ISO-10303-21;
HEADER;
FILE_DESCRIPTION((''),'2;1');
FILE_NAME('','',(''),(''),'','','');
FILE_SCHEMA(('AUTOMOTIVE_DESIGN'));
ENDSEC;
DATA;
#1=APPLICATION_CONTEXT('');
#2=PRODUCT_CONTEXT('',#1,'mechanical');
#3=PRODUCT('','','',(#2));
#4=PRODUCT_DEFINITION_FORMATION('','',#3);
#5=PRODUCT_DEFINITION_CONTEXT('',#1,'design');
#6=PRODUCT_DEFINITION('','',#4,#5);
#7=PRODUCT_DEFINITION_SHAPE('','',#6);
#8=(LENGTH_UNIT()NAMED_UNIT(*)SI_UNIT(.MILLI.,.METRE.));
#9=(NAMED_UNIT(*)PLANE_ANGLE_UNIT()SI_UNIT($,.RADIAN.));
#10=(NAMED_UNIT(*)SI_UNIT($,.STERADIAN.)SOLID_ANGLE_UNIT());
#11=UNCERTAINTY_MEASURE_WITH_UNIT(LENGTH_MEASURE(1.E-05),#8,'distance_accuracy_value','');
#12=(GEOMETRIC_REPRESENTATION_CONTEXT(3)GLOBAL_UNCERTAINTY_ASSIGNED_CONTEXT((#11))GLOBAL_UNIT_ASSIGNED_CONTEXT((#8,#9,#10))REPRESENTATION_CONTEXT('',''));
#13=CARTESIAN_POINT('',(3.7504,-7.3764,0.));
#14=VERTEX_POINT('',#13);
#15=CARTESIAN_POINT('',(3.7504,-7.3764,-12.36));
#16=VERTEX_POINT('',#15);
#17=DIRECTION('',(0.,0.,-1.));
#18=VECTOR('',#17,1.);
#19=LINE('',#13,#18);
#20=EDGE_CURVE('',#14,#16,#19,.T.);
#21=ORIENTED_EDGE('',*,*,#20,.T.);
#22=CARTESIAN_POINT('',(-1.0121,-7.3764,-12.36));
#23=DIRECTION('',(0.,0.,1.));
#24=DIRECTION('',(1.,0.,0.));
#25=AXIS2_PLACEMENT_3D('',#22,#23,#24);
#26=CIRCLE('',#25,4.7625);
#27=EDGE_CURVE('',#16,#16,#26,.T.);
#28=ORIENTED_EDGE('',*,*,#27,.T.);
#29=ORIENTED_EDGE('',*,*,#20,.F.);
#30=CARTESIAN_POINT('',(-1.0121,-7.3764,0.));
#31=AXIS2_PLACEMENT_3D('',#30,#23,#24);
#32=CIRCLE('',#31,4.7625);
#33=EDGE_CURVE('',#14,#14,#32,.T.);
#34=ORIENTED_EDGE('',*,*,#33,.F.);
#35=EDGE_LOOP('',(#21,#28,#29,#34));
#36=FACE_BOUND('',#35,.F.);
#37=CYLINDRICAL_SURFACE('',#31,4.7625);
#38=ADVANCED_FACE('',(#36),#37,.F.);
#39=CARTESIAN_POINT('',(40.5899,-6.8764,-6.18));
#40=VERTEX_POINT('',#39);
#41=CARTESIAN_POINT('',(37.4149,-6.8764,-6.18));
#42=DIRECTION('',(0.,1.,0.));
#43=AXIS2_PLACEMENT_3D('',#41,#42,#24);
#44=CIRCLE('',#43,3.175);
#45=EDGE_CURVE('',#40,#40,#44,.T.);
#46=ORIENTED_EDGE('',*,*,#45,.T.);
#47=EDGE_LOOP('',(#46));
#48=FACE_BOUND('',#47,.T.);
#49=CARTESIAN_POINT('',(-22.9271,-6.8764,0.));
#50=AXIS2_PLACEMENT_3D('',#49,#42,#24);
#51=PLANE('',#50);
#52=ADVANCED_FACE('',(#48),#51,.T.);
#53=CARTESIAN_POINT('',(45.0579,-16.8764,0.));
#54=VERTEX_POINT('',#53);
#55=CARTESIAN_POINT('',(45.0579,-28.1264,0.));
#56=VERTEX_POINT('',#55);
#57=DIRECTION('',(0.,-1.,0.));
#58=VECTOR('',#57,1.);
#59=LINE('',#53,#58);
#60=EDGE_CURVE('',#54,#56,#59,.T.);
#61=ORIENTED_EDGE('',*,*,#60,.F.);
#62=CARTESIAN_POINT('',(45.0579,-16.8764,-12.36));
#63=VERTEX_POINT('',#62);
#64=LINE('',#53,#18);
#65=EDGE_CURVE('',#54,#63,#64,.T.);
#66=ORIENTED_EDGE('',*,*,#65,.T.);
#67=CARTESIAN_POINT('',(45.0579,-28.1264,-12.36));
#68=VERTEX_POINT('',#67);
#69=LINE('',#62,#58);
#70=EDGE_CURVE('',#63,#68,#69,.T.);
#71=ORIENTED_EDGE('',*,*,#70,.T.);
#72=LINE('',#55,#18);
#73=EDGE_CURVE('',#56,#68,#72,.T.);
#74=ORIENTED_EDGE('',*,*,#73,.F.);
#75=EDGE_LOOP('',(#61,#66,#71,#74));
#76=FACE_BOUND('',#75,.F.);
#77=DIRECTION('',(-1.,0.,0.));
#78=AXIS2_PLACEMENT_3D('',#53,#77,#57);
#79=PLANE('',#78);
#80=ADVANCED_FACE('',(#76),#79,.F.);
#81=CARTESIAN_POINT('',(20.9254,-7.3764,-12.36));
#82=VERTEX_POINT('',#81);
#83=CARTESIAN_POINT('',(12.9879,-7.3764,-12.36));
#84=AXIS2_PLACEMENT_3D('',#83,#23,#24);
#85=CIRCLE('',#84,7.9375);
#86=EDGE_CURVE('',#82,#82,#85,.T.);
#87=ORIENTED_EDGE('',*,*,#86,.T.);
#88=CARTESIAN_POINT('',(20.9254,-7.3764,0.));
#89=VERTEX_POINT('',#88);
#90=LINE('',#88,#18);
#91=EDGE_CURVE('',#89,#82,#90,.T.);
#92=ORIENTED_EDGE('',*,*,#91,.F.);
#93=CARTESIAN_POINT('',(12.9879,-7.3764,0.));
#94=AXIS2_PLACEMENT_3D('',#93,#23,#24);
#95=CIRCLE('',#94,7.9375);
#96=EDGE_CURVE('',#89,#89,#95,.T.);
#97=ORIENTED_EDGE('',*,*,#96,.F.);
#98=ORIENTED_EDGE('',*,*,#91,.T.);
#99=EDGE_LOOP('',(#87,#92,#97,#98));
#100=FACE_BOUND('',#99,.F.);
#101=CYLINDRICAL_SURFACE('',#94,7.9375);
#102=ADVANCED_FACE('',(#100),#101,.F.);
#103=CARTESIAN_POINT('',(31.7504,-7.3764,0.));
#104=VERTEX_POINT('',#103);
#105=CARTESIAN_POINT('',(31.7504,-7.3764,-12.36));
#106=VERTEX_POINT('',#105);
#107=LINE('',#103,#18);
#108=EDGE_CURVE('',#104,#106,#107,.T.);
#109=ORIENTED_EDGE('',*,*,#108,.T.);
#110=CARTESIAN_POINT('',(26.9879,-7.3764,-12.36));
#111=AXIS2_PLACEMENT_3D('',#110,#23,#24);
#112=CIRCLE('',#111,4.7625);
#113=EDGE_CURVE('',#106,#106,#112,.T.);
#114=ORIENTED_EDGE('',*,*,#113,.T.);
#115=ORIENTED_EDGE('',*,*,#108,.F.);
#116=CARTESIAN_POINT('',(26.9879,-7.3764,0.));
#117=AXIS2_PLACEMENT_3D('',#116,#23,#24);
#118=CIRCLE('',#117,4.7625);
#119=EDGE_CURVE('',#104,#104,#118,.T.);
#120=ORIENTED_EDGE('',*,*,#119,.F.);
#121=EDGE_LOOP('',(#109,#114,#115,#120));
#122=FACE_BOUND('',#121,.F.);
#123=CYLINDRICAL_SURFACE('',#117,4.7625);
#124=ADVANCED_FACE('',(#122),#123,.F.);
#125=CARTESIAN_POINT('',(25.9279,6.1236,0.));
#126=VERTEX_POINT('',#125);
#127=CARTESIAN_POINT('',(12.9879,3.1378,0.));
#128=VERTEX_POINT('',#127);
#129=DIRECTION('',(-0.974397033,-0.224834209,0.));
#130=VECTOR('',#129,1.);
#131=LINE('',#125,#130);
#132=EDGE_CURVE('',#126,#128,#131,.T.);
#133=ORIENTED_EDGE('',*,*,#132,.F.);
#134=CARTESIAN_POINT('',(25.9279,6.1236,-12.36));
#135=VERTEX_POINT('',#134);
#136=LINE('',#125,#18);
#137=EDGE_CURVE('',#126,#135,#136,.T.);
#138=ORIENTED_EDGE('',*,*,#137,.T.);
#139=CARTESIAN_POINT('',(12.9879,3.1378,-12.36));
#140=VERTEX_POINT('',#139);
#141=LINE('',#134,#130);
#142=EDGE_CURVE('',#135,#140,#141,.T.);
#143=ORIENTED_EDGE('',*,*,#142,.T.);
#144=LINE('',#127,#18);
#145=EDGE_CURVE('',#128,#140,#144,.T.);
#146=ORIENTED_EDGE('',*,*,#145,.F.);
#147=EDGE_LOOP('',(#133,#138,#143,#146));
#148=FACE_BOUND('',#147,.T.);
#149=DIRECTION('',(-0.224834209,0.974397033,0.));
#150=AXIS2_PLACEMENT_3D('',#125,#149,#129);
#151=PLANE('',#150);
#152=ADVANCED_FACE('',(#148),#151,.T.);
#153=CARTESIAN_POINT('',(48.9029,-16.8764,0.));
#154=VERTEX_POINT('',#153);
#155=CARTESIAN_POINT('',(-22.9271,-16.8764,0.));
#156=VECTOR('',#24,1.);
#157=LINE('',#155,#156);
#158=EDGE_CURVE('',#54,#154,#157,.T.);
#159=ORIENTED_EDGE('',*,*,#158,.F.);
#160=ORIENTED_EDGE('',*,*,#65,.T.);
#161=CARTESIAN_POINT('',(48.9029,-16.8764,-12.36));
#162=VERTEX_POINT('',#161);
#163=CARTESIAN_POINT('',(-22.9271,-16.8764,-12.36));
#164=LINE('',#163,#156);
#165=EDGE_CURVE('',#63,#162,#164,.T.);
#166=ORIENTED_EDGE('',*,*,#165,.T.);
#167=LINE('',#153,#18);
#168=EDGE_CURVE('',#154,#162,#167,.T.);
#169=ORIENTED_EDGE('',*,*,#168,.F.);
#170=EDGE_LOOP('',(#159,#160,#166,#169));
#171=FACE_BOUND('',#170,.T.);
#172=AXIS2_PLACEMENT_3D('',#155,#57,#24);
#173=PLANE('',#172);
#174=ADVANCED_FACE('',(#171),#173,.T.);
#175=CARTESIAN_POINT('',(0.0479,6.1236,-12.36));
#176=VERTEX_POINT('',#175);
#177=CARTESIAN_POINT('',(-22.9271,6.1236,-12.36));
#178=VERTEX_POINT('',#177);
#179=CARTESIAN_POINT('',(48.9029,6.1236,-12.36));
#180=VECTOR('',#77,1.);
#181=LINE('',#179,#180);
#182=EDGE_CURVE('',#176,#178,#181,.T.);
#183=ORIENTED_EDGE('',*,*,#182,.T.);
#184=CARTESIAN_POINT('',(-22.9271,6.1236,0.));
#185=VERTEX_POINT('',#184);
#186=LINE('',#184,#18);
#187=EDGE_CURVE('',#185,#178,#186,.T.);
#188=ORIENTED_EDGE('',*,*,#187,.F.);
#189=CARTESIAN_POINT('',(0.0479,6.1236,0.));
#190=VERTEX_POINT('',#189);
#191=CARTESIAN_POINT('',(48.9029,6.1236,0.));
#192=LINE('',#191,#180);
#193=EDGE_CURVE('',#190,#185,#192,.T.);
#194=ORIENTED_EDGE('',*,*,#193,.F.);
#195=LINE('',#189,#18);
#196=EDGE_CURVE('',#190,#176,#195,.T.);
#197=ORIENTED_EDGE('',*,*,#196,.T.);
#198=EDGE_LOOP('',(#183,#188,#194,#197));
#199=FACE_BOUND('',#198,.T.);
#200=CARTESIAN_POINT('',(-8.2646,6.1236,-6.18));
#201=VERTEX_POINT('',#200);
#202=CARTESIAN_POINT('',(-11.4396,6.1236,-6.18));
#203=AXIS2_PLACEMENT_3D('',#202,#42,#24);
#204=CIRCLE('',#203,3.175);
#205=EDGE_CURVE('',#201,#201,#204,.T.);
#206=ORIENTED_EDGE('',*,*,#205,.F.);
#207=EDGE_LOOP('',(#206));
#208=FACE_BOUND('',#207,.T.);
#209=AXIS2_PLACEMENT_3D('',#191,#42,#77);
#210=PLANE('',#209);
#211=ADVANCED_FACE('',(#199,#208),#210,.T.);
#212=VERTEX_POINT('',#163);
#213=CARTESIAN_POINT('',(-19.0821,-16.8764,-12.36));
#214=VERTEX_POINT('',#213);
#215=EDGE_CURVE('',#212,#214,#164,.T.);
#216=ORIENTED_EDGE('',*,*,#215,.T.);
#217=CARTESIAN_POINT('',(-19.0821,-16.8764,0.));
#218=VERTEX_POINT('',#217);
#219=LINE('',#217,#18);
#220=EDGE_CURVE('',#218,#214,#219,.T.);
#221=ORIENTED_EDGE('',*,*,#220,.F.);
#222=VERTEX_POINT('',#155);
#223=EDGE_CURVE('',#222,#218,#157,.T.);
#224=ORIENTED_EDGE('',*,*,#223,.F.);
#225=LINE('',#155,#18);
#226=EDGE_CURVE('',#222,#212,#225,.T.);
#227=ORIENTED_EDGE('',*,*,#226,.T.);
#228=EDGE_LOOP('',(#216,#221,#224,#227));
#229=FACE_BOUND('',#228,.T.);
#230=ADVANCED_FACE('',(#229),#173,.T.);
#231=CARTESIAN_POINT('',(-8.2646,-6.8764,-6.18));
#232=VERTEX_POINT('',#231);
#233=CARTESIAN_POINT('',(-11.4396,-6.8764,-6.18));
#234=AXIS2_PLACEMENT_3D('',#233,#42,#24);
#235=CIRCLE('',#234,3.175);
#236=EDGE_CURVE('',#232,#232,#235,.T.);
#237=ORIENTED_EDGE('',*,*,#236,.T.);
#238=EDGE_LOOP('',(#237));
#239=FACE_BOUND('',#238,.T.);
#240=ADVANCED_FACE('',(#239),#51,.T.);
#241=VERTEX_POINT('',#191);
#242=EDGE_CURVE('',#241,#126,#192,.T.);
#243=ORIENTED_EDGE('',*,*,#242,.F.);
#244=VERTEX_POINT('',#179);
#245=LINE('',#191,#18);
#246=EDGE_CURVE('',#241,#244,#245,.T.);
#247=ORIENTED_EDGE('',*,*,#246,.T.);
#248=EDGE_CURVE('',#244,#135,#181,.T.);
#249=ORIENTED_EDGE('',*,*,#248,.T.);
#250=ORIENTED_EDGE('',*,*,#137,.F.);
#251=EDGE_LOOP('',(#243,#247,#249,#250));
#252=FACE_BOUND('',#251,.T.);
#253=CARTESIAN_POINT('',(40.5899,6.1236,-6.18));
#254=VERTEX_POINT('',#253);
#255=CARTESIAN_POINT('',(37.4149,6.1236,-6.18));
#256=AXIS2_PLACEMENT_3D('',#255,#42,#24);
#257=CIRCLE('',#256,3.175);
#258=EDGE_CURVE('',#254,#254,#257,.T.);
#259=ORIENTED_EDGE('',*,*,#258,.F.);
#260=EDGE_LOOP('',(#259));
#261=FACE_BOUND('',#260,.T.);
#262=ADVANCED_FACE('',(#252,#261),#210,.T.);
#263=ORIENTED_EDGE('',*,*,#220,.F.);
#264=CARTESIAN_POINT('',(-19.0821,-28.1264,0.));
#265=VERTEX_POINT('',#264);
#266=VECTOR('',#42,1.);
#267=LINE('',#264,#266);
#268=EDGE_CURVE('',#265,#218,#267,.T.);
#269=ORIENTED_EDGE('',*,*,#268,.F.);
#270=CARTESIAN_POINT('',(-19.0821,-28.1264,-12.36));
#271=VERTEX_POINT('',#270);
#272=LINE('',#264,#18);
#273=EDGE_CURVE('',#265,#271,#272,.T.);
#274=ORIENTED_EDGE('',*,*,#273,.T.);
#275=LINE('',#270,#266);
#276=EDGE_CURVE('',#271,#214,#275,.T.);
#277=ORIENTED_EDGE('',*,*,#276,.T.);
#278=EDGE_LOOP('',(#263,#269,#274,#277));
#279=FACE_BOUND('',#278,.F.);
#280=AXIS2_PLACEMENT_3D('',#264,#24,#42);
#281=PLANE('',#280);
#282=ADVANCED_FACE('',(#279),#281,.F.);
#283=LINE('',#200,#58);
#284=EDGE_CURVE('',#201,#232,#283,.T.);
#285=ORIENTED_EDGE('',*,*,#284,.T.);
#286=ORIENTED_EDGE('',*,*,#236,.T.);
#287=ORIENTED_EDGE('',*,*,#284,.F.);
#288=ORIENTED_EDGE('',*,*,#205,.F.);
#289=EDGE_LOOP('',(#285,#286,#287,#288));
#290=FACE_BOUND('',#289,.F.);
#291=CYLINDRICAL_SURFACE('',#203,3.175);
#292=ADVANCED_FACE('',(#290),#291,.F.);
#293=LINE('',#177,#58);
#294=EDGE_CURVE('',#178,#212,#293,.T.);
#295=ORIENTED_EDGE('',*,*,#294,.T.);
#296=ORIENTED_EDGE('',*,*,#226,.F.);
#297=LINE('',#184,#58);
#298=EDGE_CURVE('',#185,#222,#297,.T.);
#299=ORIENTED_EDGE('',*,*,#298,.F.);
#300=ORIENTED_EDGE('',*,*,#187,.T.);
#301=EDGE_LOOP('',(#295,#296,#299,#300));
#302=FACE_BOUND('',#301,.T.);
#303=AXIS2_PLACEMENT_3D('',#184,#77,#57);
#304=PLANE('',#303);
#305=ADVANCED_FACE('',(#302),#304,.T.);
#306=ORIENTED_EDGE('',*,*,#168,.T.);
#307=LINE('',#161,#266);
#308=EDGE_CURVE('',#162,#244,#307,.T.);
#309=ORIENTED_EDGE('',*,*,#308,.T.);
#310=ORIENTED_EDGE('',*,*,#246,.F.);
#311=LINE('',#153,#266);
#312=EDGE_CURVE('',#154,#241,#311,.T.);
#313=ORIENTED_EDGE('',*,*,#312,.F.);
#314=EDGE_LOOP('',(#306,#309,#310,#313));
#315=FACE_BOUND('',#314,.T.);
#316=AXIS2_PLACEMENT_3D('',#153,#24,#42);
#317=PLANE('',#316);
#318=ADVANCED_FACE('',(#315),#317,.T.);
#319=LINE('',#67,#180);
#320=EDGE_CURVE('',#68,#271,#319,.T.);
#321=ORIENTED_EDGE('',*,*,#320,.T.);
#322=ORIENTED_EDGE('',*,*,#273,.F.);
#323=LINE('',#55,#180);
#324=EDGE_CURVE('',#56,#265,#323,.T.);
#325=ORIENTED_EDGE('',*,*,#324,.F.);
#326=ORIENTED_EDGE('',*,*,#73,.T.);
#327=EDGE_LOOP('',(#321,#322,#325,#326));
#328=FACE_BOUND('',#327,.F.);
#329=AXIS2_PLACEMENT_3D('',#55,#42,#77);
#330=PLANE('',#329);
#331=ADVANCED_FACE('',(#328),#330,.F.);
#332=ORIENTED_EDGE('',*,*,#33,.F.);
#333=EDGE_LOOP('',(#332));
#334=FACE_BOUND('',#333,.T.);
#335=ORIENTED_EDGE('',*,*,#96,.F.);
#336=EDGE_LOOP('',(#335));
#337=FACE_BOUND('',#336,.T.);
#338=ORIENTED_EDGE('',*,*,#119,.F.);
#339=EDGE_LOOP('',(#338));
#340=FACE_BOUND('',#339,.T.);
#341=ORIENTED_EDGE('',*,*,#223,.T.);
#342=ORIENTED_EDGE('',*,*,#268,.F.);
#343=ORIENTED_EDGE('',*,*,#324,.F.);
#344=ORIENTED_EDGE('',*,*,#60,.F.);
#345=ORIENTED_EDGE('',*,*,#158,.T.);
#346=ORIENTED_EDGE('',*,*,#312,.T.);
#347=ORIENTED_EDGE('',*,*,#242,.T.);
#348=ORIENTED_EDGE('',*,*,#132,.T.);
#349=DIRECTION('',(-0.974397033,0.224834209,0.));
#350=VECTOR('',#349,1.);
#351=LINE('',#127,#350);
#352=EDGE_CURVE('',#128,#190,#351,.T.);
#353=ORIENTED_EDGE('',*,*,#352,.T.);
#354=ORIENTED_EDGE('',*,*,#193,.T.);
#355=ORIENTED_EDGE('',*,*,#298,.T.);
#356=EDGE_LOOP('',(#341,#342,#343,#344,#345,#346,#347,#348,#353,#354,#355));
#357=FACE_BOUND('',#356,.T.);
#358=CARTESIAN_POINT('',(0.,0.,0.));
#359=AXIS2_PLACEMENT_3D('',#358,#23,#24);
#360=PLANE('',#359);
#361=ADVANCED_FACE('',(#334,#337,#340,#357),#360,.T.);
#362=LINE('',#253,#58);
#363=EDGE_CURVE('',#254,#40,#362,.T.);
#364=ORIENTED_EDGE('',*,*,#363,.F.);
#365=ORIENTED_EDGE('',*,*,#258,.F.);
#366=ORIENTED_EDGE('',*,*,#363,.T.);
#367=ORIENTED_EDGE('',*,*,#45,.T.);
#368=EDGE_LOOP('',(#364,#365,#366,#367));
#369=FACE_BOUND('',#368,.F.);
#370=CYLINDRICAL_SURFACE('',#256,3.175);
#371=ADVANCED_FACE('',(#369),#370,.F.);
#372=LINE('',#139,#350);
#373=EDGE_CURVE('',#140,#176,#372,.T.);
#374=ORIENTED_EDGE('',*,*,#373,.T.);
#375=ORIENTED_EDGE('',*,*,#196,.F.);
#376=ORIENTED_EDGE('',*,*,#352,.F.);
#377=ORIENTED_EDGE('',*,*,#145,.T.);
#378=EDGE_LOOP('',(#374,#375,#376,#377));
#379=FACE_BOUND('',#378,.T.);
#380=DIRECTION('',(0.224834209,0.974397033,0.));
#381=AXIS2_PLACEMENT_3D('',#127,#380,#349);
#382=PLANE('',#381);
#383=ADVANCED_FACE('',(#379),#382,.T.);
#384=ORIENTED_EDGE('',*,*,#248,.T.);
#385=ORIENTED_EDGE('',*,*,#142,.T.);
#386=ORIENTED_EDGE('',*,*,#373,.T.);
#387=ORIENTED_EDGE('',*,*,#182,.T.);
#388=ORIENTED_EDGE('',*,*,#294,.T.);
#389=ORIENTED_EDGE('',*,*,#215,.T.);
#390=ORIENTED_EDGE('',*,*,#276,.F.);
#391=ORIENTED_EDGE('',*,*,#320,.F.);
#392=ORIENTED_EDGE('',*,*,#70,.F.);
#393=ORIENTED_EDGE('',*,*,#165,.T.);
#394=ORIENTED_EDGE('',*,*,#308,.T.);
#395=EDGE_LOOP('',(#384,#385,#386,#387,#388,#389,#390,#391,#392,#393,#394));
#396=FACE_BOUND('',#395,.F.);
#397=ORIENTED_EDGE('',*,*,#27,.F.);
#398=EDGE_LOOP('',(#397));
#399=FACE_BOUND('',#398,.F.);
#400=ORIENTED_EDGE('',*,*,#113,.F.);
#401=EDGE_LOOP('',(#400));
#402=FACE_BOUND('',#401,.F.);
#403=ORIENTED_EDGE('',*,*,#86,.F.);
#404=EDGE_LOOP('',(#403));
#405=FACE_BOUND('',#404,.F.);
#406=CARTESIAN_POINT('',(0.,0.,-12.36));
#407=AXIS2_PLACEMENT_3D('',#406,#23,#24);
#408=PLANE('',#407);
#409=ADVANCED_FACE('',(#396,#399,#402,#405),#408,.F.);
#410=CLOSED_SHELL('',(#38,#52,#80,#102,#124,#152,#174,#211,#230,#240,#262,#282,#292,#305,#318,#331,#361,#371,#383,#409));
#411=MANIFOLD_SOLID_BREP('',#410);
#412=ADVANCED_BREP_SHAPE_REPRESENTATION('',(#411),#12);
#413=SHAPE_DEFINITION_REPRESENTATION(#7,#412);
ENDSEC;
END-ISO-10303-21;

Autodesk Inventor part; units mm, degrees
ref_plane "YZ Plane" through (0, 0, 0) normal (1, 0, 0) x (0, 1, 0)
ref_plane "XZ Plane" through (0, 0, 0) normal (0, 1, 0) x (-1, 0, 0)
ref_plane "XY Plane" through (0, 0, 0) normal (0, 0, 1) x (1, 0, 0)
sketch "Sketch1" plane through (0, 0, 0) normal (0, 0, 1) x (1, 0, 0)
  point P0 (0, 0)
sketch "Sketch2" plane through (0, 0, 0) normal (0, 0, 1) x (1, 0, 0)
  line L0 (-22.9271, 6.1236) -> (-22.9271, -16.8764)
  line L1 (-22.9271, -16.8764) -> (48.9029, -16.8764)
  line L2 (48.9029, -16.8764) -> (48.9029, 6.1236)
  line L3 (48.9029, 6.1236) -> (-22.9271, 6.1236)
  point P0 (0, 0)
  dimension "d0" = 23
  dimension "d1" = 71.83
extrude "Extrusion1" add sketch "Sketch2" against normal blind 12.36
sketch "Sketch3" plane through (0, 0, 0) normal (0, 0, 1) x (1, 0, 0)
  point P0 (0, 0)
sketch "Sketch4" plane through (0, 0, 0) normal (0, 0, 1) x (1, 0, 0)
  line L0 (0.0479, 6.1236) -> (25.9279, 6.1236)
  line L1 (25.9279, 6.1236) -> (12.9879, 3.1378)
  line L2 (12.9879, 3.1378) -> (0.0479, 6.1236)
  line L3 (48.9029, 6.1236) -> (-22.9271, 6.1236) projected
  line L4 (48.9029, -16.8764) -> (48.9029, 6.1236) projected
  circle A0 centre (12.9879, -7.3764) radius 7.9375
  circle A1 centre (-1.0121, -7.3764) radius 4.7625
  circle A2 centre (26.9879, -7.3764) radius 4.7625
  line L5 (-22.9271, -16.8764) -> (48.9029, -16.8764) projected
  line L6 (-19.0821, -16.8764) -> (45.0579, -16.8764)
  line L7 (45.0579, -16.8764) -> (45.0579, -28.1264)
  line L8 (45.0579, -28.1264) -> (-19.0821, -28.1264)
  line L9 (-19.0821, -28.1264) -> (-19.0821, -16.8764)
  line L10 (-22.9271, 6.1236) -> (-22.9271, -16.8764) projected
  point P0 (0, 0)
  dimension "d4" = 25.88
  dimension "d7" = 13.28
  dimension "d8" = 0
  dimension "d10" = 2.9858
  dimension "d11" = 35.915
  dimension "d12" = 15.875
  dimension "d13" = 9.5
  dimension "d14" = 14
  dimension "d15" = 9.5
  dimension "d16" = 9.5
  dimension "d17" = 14
  dimension "d18" = 9.525
  dimension "d19" = 9.525
  dimension "d20" = 64.14
  dimension "d21" = 11.25
  dimension "d22" = 3.845
  dimension "d23" = 0
extrude "Extrusion2" cut sketch "Sketch4" against normal blind 12.36 contours L0 L1 L2 | A0 | A1 | A2
extrude "Extrusion3" add sketch "Sketch4" against normal blind 12.36 contours L5 L7 L8 L9
sketch "Sketch5" plane through (-22.9271, 6.1236, 0) normal (0, 1, 0) x (1, 0, 0)
  circle A0 centre (11.4875, 6.18) radius 3.175
  line L0 (0, 12.36) -> (22.975, 12.36) projected
  line L1 (0, 0) -> (0, 12.36) projected
  circle A1 centre (60.342, 6.18) radius 3.175
  line L2 (71.83, 0) -> (71.83, 12.36) projected
  point P0 (22.9271, 0)
  dimension "d28" = 6.18
  dimension "d29" = 6.35
  dimension "d30" = 11.4875
  dimension "d31" = 6.35
  dimension "d32" = 11.488
extrude "Extrusion4" cut sketch "Sketch5" against normal blind 13
thread "Thread1" size "1/4-20 UNC" class "2B" standard "ANSI Unified Screw Threads" full length
properties part number "rod holder on"
